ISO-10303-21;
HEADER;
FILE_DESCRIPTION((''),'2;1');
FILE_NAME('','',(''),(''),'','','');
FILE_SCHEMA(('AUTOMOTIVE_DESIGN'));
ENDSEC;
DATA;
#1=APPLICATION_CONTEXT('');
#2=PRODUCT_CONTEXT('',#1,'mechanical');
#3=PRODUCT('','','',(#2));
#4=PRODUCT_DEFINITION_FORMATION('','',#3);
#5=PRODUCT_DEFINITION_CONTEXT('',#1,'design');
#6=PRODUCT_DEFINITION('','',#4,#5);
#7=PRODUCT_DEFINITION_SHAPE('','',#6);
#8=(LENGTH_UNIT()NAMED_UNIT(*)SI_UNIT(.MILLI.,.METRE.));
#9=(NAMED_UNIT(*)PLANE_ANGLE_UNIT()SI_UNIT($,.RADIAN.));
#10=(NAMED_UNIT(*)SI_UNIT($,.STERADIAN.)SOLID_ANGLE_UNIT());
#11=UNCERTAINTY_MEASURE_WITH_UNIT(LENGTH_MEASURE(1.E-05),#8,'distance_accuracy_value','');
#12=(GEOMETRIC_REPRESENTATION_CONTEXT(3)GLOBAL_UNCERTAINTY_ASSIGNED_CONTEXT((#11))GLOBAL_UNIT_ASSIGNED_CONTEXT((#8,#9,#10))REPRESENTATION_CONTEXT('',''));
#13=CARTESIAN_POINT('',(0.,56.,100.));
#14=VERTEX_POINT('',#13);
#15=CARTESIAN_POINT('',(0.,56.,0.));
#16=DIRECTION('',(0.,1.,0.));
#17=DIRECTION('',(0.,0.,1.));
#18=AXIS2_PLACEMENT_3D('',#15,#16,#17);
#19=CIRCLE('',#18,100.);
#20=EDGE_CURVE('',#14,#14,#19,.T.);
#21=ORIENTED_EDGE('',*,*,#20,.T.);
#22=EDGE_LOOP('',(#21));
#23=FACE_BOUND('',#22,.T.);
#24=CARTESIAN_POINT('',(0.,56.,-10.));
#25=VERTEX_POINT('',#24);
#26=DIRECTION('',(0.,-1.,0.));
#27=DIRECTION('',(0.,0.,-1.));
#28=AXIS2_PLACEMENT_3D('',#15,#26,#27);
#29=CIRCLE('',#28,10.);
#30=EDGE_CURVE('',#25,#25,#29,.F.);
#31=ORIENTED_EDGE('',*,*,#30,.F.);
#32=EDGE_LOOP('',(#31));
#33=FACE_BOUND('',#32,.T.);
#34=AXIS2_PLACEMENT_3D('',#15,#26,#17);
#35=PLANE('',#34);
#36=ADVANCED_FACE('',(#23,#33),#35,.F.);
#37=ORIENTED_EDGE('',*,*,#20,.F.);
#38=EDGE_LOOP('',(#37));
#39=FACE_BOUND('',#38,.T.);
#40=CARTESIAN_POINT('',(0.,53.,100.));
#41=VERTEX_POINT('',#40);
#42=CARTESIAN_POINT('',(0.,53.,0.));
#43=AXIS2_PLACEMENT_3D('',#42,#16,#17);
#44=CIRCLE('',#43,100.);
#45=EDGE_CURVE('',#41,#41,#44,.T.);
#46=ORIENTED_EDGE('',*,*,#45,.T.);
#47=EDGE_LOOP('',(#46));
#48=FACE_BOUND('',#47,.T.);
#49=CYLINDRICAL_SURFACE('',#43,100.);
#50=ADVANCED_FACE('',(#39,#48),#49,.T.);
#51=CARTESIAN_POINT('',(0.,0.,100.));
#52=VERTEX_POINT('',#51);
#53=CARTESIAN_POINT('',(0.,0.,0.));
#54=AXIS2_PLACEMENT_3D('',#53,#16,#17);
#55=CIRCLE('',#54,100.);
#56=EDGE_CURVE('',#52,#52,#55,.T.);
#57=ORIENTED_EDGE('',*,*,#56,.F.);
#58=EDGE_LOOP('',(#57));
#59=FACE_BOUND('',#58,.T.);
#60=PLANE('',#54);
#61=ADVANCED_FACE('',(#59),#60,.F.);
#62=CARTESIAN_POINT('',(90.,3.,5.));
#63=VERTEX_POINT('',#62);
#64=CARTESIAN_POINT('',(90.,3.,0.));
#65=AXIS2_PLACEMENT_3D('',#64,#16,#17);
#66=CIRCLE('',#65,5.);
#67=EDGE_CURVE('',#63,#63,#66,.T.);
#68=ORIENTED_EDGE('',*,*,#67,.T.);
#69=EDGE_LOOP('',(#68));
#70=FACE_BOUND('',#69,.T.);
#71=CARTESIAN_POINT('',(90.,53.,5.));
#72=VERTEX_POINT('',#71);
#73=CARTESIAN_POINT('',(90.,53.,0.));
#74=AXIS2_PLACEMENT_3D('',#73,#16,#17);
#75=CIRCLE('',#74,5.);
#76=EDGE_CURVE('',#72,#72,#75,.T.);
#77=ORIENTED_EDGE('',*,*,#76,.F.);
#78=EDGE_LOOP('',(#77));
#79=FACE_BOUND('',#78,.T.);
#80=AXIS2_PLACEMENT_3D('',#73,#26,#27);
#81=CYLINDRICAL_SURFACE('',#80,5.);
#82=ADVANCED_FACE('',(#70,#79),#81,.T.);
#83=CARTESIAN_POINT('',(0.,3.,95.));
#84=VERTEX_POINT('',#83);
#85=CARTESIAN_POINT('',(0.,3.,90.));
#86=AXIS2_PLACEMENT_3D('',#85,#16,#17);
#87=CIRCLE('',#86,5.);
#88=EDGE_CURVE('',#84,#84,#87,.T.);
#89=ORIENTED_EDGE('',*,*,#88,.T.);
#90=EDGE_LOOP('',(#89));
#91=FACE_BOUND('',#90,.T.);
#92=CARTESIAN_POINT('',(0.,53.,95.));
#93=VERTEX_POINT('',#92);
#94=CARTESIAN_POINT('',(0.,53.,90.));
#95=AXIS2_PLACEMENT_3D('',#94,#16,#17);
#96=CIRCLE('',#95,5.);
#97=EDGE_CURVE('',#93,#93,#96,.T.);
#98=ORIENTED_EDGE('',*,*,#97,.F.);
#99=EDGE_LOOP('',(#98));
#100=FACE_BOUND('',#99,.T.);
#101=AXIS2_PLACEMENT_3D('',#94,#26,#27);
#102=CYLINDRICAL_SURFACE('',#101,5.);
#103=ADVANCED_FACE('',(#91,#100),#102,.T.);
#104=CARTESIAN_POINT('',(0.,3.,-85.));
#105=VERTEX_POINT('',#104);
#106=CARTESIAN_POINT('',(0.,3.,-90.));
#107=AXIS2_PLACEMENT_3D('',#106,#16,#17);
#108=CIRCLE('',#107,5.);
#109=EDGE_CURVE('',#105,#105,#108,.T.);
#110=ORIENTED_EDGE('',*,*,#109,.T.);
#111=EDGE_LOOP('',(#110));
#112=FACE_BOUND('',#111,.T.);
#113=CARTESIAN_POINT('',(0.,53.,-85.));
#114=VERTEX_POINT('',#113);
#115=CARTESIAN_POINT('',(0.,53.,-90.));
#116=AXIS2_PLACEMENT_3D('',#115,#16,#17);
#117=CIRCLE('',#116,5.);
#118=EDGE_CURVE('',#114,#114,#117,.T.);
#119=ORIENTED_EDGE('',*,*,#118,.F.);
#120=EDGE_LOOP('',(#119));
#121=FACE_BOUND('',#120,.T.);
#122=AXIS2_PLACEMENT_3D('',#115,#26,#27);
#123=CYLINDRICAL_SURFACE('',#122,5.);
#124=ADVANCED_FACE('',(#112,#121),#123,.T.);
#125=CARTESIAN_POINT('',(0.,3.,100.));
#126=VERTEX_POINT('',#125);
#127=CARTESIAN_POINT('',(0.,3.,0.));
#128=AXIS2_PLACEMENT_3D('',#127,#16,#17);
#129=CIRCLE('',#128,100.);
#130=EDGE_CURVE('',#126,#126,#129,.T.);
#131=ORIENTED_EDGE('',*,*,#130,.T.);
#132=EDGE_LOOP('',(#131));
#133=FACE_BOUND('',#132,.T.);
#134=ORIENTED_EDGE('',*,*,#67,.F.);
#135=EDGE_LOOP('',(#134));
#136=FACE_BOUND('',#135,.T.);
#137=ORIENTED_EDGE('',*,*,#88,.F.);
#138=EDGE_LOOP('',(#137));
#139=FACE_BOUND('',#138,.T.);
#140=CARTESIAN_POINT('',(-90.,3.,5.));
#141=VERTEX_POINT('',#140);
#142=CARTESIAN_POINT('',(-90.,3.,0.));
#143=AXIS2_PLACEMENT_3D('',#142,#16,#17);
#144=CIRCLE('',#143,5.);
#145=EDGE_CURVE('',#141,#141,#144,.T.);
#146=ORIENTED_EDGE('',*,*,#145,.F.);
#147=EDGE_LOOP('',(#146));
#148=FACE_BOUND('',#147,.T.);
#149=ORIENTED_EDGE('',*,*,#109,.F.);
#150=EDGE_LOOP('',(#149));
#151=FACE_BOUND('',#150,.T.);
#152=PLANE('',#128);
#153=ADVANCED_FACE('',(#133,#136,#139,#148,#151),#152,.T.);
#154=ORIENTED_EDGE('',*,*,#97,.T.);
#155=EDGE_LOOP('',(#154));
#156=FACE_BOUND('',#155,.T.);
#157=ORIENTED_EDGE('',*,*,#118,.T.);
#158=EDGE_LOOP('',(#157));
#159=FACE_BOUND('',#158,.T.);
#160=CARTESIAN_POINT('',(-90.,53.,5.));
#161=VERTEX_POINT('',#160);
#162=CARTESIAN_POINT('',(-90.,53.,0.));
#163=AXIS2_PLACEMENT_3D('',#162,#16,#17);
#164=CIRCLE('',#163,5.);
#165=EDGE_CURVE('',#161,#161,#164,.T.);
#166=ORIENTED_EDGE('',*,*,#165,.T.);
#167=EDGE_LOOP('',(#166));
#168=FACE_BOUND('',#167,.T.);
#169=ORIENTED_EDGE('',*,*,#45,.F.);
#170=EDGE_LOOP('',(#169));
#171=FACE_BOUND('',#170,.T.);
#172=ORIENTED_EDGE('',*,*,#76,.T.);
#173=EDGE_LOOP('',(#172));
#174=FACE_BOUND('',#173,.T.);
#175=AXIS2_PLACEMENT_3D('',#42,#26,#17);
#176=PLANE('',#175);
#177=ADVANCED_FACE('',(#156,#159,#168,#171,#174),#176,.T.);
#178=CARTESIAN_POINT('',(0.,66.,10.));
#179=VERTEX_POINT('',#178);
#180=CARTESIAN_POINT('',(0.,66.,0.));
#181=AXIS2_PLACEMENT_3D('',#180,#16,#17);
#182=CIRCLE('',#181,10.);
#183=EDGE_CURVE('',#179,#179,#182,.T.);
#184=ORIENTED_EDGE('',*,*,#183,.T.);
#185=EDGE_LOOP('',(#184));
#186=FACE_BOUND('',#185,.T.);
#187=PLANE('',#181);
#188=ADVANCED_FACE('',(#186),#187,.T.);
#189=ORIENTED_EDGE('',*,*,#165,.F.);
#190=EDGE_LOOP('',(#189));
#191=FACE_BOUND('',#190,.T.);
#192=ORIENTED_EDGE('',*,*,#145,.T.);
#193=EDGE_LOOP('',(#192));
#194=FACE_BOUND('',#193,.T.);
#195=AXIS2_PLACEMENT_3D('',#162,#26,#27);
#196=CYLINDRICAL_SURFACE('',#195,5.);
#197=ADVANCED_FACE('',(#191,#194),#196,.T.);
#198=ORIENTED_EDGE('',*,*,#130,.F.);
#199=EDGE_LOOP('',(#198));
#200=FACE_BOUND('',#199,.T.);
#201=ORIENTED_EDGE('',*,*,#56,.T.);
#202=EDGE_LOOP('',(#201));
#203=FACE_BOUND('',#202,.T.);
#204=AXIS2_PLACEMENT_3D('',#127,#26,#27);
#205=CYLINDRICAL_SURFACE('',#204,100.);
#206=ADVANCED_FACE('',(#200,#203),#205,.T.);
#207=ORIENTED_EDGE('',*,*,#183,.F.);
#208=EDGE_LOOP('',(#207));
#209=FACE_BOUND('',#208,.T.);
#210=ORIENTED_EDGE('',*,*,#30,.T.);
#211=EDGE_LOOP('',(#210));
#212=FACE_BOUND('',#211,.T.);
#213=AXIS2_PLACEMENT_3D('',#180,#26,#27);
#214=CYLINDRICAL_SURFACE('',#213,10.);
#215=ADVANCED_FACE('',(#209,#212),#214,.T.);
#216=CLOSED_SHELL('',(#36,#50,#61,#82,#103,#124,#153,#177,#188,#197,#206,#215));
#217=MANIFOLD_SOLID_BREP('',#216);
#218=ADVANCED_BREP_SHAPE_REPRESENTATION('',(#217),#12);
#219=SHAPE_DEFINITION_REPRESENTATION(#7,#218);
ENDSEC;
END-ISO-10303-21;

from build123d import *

# Parameters (mm, degrees)
SKETCH1_R           = 100
BOSS_EXTRUDE1_DEPTH = 3
SKETCH2_R           = 5
BOSS_EXTRUDE2_DEPTH = 50
SKETCH3_R           = 10
BOSS_EXTRUDE3_DEPTH = 10


with BuildPart() as part:
    # Sketch1 → Boss-Extrude1 (new body)
    with BuildSketch(Plane(origin=(0, 0, 0), x_dir=(1, 0, 0), z_dir=(0, 1, 0))):
        with Locations(Location((0, 0, 0), (0, 0, 270))):
            Circle(SKETCH1_R)
    boss_extrude1 = extrude(amount=BOSS_EXTRUDE1_DEPTH)

    # Sketch2 → Boss-Extrude2 (add)
    with BuildSketch(Plane(origin=(0, 3, 0), x_dir=(1, 0, 0), z_dir=(0, 1, 0))):
        with Locations(Location((-90, 0, 0), (0, 0, 270))):
            Circle(SKETCH2_R)
        with Locations(Location((0, 90, 0), (0, 0, 270))):
            Circle(SKETCH2_R)
        with Locations(Location((90, 0, 0), (0, 0, 270))):
            Circle(SKETCH2_R)
        with Locations(Location((0, -90, 0), (0, 0, 270))):
            Circle(SKETCH2_R)
    extrude(amount=BOSS_EXTRUDE2_DEPTH)

    # Mirror1: Boss-Extrude1 across plane
    add(boss_extrude1.mirror(Plane.ZX.offset(28)))

    # Sketch3 → Boss-Extrude3 (add)
    with BuildSketch(Plane(origin=(0, 56, 0), x_dir=(1, 0, 0), z_dir=(0, 1, 0))):
        with Locations(Location((0, 0, 0), (0, 0, 90))):
            Circle(SKETCH3_R)
    extrude(amount=BOSS_EXTRUDE3_DEPTH)


solid = part.part
